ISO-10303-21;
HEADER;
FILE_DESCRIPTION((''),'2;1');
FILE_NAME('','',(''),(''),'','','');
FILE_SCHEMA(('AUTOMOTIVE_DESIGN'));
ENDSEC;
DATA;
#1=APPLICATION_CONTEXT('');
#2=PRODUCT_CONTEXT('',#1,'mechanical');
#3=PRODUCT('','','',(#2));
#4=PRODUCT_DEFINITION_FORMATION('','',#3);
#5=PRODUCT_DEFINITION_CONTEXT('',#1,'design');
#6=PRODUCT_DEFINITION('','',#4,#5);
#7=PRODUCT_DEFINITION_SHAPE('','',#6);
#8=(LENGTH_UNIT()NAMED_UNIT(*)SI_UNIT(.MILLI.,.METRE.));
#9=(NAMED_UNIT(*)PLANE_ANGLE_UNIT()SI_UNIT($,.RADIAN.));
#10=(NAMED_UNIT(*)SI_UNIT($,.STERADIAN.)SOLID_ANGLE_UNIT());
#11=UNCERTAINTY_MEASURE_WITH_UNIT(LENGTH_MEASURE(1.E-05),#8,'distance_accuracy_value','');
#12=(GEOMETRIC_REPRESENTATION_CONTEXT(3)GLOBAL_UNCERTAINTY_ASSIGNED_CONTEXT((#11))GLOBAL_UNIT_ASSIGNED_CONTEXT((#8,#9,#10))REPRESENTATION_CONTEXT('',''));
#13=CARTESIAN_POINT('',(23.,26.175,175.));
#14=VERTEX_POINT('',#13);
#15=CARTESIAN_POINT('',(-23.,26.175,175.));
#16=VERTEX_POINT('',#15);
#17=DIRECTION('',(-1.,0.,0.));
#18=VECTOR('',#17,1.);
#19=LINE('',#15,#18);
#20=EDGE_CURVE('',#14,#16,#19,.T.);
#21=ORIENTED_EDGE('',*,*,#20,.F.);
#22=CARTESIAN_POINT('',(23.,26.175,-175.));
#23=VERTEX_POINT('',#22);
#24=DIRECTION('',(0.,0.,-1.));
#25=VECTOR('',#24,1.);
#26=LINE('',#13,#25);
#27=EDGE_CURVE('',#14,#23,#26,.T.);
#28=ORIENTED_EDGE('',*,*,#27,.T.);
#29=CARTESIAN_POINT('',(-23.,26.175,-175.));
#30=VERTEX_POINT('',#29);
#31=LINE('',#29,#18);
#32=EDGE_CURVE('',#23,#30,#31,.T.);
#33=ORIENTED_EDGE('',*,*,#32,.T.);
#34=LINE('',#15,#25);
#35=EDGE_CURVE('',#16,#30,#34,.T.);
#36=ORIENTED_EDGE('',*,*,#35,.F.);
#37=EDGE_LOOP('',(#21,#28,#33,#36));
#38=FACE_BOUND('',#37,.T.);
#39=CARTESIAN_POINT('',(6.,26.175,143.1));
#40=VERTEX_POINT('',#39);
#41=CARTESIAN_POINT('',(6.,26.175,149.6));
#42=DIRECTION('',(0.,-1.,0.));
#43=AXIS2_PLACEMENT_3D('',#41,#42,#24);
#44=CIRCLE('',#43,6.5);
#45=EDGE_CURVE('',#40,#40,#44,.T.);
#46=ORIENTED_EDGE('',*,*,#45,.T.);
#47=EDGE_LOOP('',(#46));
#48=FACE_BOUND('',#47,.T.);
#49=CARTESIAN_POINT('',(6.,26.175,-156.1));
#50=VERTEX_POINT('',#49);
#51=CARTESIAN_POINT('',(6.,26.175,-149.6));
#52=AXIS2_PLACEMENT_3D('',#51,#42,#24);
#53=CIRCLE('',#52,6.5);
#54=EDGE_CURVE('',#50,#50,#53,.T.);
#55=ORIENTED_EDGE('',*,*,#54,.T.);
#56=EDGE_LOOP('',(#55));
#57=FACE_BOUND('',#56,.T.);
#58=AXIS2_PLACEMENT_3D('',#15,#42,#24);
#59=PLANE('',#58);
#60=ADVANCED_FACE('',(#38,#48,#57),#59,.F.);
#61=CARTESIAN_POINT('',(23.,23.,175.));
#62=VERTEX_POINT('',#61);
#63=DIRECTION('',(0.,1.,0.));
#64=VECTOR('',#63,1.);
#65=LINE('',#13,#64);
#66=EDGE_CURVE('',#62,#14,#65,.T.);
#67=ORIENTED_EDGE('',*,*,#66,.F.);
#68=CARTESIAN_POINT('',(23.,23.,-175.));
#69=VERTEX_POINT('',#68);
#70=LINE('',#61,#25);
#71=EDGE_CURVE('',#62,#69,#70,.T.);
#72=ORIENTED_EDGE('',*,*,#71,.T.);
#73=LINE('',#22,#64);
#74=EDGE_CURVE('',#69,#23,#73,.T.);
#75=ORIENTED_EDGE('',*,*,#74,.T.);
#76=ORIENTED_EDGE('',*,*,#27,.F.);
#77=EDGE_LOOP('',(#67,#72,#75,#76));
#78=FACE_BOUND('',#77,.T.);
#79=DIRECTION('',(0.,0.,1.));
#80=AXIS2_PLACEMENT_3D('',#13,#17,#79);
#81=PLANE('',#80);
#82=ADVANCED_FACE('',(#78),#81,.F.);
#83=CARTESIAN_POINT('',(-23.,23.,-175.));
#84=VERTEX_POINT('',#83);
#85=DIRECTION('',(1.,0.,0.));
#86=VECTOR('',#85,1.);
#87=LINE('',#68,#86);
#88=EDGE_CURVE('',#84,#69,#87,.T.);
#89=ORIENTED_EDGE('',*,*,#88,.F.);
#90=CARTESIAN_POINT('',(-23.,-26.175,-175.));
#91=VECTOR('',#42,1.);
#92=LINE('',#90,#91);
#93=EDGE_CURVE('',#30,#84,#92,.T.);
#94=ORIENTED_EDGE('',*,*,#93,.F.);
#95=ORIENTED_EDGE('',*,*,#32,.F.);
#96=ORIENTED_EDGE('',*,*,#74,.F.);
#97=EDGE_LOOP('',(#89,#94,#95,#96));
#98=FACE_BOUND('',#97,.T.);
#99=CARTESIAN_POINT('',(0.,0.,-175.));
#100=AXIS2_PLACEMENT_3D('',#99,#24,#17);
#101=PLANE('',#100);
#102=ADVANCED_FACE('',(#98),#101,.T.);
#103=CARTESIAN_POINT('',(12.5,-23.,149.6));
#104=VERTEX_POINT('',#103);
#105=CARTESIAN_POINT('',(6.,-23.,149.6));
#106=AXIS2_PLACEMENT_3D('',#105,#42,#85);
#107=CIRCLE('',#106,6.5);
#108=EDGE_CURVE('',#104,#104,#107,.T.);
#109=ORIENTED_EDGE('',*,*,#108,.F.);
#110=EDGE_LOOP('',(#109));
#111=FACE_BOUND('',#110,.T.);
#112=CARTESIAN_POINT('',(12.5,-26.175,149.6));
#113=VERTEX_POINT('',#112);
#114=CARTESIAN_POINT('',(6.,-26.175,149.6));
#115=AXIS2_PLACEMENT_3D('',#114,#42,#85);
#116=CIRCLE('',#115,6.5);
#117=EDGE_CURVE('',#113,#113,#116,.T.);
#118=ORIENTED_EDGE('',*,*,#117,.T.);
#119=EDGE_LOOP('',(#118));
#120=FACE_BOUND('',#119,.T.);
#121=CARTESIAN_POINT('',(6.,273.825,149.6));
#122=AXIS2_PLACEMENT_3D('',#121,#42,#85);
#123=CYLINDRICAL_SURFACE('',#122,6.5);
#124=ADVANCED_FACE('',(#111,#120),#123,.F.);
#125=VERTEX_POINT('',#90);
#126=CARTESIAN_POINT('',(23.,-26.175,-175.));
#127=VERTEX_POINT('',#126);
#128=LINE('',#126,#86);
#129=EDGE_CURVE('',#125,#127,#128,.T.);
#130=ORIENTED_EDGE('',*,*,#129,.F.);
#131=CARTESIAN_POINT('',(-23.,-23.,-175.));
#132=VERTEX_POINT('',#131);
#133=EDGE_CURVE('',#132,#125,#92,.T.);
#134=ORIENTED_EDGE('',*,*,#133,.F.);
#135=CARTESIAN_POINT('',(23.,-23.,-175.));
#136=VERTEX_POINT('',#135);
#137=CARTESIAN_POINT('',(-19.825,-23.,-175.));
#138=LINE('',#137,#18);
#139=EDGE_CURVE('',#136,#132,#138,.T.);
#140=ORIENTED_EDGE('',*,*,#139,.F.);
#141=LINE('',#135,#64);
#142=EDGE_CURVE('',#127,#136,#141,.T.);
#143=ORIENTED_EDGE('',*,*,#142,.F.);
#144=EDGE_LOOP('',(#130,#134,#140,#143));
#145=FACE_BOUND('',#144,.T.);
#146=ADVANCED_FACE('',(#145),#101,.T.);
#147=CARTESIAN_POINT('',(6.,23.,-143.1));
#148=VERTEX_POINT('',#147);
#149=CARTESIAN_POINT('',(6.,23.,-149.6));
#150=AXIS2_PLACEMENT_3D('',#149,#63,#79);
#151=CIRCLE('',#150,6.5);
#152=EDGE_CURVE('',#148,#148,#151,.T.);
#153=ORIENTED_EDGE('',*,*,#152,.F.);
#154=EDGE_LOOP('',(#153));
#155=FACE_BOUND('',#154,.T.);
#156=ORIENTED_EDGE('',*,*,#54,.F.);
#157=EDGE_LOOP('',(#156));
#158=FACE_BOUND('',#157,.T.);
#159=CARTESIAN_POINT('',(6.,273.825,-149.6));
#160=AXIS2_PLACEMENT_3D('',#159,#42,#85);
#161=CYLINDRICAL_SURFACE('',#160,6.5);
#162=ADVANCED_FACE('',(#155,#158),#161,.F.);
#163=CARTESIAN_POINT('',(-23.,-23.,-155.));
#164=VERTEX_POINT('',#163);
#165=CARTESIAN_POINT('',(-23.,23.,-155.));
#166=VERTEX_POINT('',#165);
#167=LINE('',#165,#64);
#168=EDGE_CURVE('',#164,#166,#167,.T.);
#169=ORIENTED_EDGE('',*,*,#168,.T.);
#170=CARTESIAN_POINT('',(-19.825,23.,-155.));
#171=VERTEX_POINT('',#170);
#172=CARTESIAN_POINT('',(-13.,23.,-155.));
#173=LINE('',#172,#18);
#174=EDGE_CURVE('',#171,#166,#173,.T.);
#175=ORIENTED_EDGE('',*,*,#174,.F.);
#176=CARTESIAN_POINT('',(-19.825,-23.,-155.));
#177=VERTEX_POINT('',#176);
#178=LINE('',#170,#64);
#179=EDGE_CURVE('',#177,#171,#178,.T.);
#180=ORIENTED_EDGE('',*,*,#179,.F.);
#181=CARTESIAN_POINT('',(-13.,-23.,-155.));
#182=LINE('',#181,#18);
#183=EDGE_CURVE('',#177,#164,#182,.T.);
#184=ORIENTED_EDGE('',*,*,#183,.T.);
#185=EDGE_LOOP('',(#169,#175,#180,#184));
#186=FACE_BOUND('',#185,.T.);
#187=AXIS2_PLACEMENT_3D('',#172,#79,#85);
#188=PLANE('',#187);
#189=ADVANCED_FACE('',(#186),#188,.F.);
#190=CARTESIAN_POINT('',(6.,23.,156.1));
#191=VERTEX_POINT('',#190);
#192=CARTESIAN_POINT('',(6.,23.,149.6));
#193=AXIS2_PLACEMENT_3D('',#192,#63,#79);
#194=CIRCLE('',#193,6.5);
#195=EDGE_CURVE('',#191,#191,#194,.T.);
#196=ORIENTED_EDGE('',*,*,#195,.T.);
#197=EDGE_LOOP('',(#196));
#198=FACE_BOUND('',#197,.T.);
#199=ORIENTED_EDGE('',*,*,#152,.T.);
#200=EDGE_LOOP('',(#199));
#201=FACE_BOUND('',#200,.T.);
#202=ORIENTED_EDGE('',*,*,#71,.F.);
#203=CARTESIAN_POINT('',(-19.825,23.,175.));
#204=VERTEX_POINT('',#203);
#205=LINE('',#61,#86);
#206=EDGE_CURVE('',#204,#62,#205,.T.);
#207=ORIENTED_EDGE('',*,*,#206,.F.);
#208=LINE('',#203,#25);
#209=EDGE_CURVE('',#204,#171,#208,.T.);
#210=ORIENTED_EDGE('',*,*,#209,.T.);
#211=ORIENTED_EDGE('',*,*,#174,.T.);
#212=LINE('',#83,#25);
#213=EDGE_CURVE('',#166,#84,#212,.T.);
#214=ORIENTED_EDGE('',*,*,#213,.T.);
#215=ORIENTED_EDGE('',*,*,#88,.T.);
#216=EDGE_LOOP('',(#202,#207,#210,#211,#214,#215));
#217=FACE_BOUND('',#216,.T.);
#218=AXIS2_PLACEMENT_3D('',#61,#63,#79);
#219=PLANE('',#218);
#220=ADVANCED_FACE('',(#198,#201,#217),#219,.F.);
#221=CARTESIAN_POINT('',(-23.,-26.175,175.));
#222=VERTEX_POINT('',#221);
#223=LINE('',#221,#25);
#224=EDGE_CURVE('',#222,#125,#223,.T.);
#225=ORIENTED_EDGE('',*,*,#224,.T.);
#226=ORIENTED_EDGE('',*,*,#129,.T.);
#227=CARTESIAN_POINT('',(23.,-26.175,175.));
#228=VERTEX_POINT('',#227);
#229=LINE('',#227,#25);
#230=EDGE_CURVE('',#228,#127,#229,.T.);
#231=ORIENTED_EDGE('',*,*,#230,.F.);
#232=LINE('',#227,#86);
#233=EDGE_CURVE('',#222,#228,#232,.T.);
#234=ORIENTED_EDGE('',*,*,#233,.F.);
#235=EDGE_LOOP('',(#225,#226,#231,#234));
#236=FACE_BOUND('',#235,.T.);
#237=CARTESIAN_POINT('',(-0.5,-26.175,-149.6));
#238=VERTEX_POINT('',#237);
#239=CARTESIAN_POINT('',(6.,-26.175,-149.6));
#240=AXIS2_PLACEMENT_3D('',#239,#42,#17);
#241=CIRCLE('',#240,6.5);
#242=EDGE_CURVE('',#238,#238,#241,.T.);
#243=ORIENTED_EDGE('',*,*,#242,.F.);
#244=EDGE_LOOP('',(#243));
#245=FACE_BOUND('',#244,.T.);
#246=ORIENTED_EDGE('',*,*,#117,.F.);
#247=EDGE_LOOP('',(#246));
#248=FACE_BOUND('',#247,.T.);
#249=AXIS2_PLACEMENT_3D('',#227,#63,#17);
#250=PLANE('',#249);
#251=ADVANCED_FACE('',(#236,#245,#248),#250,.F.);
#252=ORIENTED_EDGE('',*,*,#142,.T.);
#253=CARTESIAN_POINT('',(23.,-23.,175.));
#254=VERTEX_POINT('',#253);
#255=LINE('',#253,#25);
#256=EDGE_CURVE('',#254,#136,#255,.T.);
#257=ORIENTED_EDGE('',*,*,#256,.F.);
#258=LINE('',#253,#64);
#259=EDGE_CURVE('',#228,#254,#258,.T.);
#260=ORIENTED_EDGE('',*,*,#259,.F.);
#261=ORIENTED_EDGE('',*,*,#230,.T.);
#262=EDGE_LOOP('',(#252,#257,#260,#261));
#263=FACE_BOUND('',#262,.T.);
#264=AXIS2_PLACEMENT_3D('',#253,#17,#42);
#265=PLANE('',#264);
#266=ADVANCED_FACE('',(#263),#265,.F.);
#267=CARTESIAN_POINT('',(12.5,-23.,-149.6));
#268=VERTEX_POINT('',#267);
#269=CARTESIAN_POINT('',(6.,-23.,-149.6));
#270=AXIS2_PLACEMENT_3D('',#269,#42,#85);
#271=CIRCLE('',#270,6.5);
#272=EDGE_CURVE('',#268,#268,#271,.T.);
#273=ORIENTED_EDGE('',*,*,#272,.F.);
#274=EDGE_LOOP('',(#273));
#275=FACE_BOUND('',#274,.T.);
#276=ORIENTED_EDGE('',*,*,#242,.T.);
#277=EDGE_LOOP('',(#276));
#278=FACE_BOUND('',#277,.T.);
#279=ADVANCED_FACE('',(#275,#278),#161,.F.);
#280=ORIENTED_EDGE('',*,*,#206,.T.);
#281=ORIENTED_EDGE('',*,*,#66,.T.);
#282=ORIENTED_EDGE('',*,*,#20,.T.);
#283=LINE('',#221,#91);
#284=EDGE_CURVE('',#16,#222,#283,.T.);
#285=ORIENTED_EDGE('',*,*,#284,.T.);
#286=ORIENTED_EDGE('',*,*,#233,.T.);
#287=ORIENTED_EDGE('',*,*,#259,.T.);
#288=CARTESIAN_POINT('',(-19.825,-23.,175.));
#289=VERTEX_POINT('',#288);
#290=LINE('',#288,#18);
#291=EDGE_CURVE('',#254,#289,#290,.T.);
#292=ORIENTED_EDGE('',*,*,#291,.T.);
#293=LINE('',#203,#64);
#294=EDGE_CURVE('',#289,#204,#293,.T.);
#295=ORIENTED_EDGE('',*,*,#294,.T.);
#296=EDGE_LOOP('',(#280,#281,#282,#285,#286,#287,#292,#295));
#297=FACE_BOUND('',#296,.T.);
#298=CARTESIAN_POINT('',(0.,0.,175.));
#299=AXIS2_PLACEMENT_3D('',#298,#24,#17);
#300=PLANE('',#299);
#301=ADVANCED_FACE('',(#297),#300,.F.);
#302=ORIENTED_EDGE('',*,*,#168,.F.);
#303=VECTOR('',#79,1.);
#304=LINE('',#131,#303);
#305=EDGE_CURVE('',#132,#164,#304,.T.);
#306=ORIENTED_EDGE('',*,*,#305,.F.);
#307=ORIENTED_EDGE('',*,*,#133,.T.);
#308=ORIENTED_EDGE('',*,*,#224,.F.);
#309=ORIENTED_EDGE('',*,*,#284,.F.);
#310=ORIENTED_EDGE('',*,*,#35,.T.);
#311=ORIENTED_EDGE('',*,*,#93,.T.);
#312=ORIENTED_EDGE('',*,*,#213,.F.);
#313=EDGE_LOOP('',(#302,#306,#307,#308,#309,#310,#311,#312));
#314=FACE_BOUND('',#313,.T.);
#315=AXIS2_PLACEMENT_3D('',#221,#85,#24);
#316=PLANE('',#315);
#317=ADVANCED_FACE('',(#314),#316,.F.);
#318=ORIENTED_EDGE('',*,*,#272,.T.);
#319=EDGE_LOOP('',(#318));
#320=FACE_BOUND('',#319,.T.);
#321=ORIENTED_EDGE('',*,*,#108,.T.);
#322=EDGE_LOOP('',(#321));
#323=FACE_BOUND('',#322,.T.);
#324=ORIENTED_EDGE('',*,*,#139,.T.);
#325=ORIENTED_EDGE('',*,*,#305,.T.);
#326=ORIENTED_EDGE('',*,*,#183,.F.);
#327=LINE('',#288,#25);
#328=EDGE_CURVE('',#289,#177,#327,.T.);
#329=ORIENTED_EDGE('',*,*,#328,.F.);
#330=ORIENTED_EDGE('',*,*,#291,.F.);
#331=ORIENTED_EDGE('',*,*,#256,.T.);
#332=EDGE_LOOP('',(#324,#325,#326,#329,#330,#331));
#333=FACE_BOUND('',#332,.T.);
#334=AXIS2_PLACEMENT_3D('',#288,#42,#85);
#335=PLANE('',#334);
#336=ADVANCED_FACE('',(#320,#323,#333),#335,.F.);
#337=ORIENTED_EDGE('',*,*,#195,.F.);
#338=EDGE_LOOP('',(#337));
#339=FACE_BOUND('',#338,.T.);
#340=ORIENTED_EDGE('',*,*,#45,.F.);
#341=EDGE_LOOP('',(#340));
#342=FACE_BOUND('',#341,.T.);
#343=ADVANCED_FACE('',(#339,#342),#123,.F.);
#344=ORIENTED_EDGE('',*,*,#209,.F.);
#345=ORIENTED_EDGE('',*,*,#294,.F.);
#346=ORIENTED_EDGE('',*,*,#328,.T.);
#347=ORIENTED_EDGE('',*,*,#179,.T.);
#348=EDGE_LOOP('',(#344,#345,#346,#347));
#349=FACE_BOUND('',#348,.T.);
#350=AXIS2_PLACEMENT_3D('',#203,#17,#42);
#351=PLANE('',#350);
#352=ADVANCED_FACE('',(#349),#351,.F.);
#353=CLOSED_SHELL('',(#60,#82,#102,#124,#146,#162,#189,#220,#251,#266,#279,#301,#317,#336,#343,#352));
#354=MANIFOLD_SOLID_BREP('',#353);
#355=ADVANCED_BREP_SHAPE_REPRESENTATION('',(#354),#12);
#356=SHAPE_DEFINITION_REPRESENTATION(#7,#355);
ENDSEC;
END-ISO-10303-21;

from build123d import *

# Parameters (mm, degrees)
SALIENTE_EXTRUIR1_DEPTH = 175
CROQUIS2_R              = 6.5
CORTAR_EXTRUIR1_DEPTH   = 300
CROQUIS3_W              = 20
CROQUIS3_H              = 46
CORTAR_EXTRUIR2_DEPTH   = 10


with BuildPart() as part:
    # Croquis1 → Saliente-Extruir1 (new, symmetric)
    with BuildSketch(Plane.XY):
        Polygon((23, 23), (-19.825, 23), (-19.825, -23), (23, -23), (23, -26.175), (-23, -26.175), (-23, 26.175), (23, 26.175), align=None)
    extrude(amount=SALIENTE_EXTRUIR1_DEPTH, both=True)

    # Croquis2 → Cortar-Extruir1 (cut)
    with BuildSketch(Plane.XZ.offset(26.175)):
        with Locations(Location((6, 149.6, 0), (0, 0, 90))):
            Circle(CROQUIS2_R)
        with Locations(Location((6, -149.6, 0), (0, 0, 90))):
            Circle(CROQUIS2_R)
    extrude(amount=-CORTAR_EXTRUIR1_DEPTH, mode=Mode.SUBTRACT)

    # Croquis3 → Cortar-Extruir2 (cut)
    with BuildSketch(Plane.ZY.offset(23)):
        with Locations((-165, 0)):
            Rectangle(CROQUIS3_W, CROQUIS3_H)
    extrude(amount=-CORTAR_EXTRUIR2_DEPTH, mode=Mode.SUBTRACT)


solid = part.part
